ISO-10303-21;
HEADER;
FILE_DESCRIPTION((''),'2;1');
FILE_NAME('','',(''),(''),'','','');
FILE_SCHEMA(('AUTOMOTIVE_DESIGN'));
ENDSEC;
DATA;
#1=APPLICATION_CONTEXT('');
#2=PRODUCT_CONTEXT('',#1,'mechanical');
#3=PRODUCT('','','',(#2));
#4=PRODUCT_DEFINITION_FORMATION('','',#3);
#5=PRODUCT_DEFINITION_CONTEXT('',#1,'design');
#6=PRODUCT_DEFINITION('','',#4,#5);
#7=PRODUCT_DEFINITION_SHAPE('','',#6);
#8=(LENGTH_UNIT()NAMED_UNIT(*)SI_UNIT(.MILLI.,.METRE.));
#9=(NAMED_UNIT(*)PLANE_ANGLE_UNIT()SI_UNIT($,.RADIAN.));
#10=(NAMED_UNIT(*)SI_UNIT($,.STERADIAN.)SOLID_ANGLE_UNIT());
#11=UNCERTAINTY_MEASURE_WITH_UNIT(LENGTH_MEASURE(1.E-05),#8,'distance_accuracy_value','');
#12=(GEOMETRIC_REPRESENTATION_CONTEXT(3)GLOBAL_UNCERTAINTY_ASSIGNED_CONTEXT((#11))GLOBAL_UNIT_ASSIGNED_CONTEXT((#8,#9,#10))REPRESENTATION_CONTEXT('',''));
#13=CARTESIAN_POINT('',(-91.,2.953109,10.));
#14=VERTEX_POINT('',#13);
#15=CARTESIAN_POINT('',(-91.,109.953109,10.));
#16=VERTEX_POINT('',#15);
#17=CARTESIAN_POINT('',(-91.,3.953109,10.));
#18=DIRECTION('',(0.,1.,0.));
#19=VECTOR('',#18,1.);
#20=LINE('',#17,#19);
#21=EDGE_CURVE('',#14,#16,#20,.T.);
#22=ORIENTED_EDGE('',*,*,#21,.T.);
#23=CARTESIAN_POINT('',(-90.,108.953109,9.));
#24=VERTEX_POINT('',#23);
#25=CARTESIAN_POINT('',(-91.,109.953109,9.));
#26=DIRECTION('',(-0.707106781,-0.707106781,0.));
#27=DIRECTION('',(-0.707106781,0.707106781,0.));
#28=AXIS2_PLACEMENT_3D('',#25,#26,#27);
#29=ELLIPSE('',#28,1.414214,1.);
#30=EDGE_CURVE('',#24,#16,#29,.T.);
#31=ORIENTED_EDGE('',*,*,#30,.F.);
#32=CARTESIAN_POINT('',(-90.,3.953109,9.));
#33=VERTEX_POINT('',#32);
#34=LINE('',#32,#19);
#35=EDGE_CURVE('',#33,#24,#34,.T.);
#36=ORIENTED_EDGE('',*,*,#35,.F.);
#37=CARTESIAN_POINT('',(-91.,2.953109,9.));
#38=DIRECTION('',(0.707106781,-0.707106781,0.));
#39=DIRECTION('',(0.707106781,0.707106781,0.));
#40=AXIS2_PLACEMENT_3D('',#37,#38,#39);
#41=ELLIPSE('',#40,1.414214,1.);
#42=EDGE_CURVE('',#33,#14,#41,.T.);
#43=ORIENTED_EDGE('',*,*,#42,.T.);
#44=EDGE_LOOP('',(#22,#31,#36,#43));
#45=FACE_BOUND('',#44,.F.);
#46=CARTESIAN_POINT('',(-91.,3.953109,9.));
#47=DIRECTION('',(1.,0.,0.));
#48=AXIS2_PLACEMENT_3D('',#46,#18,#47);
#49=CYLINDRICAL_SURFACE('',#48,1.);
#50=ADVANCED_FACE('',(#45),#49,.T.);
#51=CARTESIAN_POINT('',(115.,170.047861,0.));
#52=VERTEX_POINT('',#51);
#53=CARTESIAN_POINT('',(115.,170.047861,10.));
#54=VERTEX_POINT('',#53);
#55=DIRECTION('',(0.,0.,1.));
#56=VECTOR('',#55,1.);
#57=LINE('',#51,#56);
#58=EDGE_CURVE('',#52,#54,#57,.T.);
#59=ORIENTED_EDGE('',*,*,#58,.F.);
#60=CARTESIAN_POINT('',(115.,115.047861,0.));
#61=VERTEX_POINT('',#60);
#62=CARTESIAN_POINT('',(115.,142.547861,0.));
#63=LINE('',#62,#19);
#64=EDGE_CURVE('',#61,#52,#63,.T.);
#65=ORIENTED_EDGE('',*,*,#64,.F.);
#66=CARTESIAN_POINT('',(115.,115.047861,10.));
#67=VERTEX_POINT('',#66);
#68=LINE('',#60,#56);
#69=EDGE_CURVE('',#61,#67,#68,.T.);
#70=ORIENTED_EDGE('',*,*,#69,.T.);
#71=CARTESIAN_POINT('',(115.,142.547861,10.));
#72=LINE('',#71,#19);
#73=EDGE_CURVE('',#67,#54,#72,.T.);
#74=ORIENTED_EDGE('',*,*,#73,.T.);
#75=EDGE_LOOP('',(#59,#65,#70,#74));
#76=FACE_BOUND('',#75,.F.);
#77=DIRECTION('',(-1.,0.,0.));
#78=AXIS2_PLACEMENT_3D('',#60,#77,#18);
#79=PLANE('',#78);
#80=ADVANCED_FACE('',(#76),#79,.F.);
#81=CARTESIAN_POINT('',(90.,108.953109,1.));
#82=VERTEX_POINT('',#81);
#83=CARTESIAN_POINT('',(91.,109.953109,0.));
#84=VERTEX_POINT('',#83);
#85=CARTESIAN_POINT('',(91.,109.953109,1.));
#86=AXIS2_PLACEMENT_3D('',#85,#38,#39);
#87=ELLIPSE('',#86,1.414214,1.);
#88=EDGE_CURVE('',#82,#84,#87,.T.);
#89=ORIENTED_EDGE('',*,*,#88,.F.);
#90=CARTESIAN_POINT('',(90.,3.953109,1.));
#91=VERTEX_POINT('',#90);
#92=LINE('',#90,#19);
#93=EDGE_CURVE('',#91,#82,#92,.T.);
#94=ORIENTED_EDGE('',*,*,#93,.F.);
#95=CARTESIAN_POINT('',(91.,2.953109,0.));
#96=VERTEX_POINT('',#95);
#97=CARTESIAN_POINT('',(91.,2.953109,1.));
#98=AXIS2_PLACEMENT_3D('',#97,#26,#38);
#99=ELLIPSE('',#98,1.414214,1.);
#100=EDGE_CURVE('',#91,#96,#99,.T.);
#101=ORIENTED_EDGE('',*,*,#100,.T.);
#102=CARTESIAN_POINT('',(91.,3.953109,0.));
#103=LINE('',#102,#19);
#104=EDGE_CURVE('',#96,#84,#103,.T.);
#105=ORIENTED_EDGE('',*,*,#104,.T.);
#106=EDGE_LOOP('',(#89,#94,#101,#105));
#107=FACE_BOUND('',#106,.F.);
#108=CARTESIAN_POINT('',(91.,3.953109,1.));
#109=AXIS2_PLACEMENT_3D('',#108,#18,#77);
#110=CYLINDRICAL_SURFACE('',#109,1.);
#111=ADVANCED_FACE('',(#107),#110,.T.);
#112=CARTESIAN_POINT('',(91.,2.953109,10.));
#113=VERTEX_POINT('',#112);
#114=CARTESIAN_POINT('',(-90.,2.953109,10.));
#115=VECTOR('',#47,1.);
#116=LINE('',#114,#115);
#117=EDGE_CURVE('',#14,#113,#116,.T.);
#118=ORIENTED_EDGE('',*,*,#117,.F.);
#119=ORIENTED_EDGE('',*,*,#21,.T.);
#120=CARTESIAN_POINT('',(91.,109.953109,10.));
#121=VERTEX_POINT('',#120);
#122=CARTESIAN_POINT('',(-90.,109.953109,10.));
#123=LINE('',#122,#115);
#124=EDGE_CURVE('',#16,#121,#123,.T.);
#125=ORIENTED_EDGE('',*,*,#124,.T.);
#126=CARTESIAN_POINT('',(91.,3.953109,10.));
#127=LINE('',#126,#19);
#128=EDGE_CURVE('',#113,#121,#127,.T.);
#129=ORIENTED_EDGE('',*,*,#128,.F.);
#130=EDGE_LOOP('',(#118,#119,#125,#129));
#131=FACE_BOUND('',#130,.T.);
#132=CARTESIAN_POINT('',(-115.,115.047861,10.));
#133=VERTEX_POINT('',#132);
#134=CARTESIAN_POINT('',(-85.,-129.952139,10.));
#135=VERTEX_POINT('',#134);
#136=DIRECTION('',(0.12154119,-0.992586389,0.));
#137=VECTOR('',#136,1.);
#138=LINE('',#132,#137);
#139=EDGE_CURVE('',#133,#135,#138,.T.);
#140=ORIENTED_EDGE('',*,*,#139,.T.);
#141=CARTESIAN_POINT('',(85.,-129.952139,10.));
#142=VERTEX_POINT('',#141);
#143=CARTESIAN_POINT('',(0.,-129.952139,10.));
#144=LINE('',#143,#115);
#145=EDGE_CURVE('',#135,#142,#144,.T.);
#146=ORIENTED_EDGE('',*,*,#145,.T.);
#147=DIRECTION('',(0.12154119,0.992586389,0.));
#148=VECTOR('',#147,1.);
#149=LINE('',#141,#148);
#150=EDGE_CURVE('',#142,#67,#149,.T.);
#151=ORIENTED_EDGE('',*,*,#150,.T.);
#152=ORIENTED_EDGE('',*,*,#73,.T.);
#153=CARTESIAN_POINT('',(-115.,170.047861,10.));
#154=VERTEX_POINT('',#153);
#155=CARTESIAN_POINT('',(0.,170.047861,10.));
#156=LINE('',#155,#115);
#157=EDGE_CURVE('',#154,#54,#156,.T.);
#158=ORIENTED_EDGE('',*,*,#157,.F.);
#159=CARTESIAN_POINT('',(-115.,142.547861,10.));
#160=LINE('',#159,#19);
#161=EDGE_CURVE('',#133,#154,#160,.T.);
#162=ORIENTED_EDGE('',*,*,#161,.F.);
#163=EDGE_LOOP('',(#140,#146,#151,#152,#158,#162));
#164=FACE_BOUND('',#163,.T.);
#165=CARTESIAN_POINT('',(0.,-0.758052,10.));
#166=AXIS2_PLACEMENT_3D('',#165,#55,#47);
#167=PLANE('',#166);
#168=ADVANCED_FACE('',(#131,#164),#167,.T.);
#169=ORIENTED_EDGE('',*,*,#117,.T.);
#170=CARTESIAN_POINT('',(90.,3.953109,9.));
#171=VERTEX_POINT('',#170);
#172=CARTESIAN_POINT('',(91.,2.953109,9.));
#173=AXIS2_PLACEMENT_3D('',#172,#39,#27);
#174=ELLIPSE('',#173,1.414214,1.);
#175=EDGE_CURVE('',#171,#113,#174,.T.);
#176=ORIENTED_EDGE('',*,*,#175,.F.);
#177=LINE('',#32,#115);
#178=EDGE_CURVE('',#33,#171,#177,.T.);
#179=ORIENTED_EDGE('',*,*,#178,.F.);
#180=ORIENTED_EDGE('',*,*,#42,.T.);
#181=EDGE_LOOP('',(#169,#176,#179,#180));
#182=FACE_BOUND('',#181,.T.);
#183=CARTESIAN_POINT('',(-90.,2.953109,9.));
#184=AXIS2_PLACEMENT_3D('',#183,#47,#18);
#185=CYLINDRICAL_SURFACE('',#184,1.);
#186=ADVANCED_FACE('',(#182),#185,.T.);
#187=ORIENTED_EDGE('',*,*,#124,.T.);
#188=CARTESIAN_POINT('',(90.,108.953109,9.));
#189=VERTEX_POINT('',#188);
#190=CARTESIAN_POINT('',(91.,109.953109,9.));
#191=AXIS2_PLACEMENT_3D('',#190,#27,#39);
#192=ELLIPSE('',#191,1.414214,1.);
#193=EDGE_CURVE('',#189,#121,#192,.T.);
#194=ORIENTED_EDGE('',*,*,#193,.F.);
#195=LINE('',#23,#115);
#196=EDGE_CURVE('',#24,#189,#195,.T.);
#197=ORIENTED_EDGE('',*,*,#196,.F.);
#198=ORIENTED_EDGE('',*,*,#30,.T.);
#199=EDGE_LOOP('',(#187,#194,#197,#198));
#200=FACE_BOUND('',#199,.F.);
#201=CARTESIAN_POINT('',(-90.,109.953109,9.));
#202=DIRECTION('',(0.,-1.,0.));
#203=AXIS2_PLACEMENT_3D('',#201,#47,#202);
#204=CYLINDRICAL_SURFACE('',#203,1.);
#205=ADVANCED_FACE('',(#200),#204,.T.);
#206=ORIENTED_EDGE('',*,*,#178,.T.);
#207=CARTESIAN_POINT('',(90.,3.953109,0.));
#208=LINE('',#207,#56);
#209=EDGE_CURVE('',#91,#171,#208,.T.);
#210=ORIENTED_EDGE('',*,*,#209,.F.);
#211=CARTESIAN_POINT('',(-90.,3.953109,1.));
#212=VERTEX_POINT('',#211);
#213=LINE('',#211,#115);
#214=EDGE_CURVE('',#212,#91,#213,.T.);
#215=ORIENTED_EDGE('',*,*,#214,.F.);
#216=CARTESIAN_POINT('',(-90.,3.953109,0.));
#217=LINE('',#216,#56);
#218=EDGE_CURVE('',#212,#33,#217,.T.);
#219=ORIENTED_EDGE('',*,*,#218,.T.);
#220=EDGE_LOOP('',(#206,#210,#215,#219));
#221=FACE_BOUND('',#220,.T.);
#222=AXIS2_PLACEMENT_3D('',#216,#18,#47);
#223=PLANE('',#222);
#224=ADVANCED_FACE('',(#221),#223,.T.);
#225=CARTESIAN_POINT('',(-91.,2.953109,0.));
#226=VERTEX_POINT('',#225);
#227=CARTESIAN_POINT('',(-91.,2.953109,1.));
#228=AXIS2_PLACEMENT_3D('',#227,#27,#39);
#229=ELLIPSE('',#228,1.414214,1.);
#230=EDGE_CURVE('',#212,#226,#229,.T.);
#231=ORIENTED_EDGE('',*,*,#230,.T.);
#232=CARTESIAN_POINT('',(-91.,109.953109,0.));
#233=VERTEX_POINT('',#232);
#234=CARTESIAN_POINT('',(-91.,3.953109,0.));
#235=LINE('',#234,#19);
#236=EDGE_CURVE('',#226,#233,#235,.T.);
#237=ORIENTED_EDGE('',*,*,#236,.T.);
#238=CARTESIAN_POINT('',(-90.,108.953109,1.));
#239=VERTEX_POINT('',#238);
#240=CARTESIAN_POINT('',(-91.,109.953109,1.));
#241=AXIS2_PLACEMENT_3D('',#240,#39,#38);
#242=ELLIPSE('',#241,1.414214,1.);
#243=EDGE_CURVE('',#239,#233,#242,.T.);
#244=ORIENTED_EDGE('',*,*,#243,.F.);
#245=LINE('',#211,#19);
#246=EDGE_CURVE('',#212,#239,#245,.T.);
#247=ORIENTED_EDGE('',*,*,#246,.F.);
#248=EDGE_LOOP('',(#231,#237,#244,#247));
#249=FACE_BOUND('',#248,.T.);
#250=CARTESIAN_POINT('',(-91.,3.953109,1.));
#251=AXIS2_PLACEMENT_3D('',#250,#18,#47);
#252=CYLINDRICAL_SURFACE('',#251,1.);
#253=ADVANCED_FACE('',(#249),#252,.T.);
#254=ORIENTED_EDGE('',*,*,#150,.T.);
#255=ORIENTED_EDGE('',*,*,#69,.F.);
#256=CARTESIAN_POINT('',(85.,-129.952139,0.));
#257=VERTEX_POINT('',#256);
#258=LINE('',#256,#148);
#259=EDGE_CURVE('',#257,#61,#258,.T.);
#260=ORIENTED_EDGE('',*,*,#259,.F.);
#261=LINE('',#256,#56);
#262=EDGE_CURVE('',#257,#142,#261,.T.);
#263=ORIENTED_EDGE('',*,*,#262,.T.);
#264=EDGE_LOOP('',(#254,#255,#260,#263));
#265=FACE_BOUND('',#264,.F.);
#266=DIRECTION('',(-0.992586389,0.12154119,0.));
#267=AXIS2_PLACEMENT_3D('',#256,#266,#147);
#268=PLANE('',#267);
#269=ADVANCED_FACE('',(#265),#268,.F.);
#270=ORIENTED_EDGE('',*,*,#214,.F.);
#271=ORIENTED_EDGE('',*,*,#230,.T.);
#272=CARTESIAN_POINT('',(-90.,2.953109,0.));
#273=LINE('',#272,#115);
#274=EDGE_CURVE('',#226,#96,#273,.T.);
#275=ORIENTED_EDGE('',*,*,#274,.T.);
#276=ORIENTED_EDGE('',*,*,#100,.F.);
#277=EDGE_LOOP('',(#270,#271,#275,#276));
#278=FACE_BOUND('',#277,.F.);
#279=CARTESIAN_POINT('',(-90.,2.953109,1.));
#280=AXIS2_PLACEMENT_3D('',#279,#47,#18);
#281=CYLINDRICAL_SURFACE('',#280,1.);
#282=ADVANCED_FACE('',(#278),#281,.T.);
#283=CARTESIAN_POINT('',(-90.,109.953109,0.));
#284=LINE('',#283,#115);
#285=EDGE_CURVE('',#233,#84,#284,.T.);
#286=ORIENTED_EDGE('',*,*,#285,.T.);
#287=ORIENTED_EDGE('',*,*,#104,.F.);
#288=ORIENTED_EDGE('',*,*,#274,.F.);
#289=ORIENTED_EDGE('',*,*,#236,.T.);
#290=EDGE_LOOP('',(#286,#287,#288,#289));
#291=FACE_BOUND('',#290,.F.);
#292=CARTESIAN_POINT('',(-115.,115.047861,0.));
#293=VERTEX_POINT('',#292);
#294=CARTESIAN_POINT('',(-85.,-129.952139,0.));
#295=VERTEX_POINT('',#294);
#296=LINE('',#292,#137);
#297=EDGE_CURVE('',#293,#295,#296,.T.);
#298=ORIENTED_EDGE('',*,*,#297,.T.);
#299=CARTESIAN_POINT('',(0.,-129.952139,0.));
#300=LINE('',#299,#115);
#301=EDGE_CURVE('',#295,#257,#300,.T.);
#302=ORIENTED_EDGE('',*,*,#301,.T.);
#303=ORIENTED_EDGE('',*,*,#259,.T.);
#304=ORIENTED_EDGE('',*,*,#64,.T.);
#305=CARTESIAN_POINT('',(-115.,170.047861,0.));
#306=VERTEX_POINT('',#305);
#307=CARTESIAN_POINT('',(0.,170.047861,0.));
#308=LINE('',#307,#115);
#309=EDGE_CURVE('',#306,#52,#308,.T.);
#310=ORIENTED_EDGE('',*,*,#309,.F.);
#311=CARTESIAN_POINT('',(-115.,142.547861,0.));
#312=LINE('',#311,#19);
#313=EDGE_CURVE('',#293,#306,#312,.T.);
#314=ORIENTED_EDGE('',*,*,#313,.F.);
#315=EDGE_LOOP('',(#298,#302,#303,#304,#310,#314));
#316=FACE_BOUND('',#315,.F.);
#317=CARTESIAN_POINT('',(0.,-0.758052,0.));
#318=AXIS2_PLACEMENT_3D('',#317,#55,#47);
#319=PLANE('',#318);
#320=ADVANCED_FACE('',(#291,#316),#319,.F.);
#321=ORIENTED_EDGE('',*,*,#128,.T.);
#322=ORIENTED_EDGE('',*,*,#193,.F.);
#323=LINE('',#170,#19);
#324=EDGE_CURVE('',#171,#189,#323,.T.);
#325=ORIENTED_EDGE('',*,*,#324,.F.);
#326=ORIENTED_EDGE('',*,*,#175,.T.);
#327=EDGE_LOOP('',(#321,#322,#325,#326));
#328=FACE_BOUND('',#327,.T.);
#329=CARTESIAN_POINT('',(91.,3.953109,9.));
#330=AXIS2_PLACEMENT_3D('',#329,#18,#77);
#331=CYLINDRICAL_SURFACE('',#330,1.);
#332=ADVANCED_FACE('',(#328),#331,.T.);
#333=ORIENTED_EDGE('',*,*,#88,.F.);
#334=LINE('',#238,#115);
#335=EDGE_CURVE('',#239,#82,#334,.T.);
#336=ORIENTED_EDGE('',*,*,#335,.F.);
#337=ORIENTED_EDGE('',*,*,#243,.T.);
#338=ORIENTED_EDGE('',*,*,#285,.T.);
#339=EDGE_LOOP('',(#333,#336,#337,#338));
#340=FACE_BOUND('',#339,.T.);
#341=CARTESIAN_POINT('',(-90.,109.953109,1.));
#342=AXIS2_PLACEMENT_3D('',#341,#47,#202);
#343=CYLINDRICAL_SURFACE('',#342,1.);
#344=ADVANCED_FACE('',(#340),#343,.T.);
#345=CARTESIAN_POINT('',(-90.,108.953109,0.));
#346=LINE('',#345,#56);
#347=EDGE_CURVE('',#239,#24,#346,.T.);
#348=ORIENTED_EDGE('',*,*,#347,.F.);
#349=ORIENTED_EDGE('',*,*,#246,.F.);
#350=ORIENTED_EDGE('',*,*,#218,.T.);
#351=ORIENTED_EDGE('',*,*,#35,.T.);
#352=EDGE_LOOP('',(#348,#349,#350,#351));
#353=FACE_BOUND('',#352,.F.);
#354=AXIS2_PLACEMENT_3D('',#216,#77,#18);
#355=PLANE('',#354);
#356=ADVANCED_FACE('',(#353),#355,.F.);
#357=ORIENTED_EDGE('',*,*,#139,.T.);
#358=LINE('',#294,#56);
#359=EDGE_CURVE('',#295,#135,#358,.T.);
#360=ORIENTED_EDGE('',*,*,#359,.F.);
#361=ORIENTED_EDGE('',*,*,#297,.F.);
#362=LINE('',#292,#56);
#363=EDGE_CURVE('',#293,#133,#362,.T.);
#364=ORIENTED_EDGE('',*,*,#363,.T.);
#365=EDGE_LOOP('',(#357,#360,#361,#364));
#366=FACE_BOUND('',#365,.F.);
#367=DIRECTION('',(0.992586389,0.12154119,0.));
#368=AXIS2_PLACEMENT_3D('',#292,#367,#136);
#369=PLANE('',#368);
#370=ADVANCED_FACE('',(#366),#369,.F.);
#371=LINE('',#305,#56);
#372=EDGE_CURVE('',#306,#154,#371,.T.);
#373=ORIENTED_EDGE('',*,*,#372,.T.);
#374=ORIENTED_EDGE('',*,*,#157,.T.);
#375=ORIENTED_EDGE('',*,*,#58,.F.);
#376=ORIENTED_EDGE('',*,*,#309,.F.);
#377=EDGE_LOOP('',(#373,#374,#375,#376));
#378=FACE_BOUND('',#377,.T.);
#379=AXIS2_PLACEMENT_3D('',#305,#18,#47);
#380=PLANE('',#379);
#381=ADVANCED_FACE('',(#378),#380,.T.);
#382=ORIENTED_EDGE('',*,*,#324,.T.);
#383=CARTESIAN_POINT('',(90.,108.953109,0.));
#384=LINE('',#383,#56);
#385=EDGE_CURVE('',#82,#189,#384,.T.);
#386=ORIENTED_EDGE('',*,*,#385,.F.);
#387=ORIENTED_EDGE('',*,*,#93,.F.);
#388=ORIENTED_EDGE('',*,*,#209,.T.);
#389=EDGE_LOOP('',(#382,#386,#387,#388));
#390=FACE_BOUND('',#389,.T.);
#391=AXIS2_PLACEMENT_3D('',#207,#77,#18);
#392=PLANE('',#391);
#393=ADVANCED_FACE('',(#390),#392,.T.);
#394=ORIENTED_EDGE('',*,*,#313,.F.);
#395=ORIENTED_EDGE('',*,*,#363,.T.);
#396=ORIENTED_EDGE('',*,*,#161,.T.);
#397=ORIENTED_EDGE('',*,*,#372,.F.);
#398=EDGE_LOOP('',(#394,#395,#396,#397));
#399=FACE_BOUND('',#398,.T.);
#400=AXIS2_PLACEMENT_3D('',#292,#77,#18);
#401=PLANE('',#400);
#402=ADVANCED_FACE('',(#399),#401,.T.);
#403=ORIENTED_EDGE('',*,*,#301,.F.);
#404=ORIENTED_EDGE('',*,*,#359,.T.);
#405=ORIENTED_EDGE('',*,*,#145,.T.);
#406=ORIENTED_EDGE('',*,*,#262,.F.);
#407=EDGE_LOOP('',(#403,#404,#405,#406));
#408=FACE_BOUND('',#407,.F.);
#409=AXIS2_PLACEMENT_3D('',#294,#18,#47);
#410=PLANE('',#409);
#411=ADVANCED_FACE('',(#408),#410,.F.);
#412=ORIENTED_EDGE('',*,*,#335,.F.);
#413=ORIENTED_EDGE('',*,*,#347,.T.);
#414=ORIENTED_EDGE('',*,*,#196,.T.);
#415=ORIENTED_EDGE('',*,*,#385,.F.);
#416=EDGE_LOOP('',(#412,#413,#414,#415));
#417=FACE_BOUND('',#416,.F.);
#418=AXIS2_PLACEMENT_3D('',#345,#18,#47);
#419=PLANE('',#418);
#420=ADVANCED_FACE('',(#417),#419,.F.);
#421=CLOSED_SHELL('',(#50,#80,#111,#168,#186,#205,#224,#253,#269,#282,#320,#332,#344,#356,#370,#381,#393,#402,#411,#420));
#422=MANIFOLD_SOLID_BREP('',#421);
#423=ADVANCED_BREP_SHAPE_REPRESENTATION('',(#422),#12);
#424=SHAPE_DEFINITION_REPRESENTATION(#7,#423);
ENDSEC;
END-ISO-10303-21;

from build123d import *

# Parameters (mm, degrees)
F0_W     = 180
F0_H     = 105
F0_W_2   = 230
F0_H_2   = 55
F0_W_3   = 170
F0_H_3   = 20
F1_DEPTH = 10
F2_R     = 1


with BuildPart() as f1:
    # F0 (on Top) → F1 (new body)
    with BuildSketch(Plane.XY):
        Polygon((85, -129.952139), (115, 115.047861), (-115, 115.047861), (-85, -129.952139), (-85, -109.952139), (85, -109.952139), align=None)
        with Locations((0, 56.453109)):
            Rectangle(F0_W, F0_H, mode=Mode.SUBTRACT)
        with Locations((0, 142.547861)):
            Rectangle(F0_W_2, F0_H_2)
        with Locations((0, -119.952139)):
            Rectangle(F0_W_3, F0_H_3)
    extrude(amount=F1_DEPTH)

    # F2
    f2_edges = [f1.edges().sort_by_distance(p)[0] for p in [
        (0, 108.953109, 0),
        (90, 56.453109, 10),
        (0, 3.953109, 10),
        (-90, 56.453109, 10),
        (0, 3.953109, 0),
        (-90, 56.453109, 0),
        (0, 108.953109, 10),
        (90, 56.453109, 0),
    ]]
    fillet(f2_edges, radius=F2_R)


solid = f1.part
